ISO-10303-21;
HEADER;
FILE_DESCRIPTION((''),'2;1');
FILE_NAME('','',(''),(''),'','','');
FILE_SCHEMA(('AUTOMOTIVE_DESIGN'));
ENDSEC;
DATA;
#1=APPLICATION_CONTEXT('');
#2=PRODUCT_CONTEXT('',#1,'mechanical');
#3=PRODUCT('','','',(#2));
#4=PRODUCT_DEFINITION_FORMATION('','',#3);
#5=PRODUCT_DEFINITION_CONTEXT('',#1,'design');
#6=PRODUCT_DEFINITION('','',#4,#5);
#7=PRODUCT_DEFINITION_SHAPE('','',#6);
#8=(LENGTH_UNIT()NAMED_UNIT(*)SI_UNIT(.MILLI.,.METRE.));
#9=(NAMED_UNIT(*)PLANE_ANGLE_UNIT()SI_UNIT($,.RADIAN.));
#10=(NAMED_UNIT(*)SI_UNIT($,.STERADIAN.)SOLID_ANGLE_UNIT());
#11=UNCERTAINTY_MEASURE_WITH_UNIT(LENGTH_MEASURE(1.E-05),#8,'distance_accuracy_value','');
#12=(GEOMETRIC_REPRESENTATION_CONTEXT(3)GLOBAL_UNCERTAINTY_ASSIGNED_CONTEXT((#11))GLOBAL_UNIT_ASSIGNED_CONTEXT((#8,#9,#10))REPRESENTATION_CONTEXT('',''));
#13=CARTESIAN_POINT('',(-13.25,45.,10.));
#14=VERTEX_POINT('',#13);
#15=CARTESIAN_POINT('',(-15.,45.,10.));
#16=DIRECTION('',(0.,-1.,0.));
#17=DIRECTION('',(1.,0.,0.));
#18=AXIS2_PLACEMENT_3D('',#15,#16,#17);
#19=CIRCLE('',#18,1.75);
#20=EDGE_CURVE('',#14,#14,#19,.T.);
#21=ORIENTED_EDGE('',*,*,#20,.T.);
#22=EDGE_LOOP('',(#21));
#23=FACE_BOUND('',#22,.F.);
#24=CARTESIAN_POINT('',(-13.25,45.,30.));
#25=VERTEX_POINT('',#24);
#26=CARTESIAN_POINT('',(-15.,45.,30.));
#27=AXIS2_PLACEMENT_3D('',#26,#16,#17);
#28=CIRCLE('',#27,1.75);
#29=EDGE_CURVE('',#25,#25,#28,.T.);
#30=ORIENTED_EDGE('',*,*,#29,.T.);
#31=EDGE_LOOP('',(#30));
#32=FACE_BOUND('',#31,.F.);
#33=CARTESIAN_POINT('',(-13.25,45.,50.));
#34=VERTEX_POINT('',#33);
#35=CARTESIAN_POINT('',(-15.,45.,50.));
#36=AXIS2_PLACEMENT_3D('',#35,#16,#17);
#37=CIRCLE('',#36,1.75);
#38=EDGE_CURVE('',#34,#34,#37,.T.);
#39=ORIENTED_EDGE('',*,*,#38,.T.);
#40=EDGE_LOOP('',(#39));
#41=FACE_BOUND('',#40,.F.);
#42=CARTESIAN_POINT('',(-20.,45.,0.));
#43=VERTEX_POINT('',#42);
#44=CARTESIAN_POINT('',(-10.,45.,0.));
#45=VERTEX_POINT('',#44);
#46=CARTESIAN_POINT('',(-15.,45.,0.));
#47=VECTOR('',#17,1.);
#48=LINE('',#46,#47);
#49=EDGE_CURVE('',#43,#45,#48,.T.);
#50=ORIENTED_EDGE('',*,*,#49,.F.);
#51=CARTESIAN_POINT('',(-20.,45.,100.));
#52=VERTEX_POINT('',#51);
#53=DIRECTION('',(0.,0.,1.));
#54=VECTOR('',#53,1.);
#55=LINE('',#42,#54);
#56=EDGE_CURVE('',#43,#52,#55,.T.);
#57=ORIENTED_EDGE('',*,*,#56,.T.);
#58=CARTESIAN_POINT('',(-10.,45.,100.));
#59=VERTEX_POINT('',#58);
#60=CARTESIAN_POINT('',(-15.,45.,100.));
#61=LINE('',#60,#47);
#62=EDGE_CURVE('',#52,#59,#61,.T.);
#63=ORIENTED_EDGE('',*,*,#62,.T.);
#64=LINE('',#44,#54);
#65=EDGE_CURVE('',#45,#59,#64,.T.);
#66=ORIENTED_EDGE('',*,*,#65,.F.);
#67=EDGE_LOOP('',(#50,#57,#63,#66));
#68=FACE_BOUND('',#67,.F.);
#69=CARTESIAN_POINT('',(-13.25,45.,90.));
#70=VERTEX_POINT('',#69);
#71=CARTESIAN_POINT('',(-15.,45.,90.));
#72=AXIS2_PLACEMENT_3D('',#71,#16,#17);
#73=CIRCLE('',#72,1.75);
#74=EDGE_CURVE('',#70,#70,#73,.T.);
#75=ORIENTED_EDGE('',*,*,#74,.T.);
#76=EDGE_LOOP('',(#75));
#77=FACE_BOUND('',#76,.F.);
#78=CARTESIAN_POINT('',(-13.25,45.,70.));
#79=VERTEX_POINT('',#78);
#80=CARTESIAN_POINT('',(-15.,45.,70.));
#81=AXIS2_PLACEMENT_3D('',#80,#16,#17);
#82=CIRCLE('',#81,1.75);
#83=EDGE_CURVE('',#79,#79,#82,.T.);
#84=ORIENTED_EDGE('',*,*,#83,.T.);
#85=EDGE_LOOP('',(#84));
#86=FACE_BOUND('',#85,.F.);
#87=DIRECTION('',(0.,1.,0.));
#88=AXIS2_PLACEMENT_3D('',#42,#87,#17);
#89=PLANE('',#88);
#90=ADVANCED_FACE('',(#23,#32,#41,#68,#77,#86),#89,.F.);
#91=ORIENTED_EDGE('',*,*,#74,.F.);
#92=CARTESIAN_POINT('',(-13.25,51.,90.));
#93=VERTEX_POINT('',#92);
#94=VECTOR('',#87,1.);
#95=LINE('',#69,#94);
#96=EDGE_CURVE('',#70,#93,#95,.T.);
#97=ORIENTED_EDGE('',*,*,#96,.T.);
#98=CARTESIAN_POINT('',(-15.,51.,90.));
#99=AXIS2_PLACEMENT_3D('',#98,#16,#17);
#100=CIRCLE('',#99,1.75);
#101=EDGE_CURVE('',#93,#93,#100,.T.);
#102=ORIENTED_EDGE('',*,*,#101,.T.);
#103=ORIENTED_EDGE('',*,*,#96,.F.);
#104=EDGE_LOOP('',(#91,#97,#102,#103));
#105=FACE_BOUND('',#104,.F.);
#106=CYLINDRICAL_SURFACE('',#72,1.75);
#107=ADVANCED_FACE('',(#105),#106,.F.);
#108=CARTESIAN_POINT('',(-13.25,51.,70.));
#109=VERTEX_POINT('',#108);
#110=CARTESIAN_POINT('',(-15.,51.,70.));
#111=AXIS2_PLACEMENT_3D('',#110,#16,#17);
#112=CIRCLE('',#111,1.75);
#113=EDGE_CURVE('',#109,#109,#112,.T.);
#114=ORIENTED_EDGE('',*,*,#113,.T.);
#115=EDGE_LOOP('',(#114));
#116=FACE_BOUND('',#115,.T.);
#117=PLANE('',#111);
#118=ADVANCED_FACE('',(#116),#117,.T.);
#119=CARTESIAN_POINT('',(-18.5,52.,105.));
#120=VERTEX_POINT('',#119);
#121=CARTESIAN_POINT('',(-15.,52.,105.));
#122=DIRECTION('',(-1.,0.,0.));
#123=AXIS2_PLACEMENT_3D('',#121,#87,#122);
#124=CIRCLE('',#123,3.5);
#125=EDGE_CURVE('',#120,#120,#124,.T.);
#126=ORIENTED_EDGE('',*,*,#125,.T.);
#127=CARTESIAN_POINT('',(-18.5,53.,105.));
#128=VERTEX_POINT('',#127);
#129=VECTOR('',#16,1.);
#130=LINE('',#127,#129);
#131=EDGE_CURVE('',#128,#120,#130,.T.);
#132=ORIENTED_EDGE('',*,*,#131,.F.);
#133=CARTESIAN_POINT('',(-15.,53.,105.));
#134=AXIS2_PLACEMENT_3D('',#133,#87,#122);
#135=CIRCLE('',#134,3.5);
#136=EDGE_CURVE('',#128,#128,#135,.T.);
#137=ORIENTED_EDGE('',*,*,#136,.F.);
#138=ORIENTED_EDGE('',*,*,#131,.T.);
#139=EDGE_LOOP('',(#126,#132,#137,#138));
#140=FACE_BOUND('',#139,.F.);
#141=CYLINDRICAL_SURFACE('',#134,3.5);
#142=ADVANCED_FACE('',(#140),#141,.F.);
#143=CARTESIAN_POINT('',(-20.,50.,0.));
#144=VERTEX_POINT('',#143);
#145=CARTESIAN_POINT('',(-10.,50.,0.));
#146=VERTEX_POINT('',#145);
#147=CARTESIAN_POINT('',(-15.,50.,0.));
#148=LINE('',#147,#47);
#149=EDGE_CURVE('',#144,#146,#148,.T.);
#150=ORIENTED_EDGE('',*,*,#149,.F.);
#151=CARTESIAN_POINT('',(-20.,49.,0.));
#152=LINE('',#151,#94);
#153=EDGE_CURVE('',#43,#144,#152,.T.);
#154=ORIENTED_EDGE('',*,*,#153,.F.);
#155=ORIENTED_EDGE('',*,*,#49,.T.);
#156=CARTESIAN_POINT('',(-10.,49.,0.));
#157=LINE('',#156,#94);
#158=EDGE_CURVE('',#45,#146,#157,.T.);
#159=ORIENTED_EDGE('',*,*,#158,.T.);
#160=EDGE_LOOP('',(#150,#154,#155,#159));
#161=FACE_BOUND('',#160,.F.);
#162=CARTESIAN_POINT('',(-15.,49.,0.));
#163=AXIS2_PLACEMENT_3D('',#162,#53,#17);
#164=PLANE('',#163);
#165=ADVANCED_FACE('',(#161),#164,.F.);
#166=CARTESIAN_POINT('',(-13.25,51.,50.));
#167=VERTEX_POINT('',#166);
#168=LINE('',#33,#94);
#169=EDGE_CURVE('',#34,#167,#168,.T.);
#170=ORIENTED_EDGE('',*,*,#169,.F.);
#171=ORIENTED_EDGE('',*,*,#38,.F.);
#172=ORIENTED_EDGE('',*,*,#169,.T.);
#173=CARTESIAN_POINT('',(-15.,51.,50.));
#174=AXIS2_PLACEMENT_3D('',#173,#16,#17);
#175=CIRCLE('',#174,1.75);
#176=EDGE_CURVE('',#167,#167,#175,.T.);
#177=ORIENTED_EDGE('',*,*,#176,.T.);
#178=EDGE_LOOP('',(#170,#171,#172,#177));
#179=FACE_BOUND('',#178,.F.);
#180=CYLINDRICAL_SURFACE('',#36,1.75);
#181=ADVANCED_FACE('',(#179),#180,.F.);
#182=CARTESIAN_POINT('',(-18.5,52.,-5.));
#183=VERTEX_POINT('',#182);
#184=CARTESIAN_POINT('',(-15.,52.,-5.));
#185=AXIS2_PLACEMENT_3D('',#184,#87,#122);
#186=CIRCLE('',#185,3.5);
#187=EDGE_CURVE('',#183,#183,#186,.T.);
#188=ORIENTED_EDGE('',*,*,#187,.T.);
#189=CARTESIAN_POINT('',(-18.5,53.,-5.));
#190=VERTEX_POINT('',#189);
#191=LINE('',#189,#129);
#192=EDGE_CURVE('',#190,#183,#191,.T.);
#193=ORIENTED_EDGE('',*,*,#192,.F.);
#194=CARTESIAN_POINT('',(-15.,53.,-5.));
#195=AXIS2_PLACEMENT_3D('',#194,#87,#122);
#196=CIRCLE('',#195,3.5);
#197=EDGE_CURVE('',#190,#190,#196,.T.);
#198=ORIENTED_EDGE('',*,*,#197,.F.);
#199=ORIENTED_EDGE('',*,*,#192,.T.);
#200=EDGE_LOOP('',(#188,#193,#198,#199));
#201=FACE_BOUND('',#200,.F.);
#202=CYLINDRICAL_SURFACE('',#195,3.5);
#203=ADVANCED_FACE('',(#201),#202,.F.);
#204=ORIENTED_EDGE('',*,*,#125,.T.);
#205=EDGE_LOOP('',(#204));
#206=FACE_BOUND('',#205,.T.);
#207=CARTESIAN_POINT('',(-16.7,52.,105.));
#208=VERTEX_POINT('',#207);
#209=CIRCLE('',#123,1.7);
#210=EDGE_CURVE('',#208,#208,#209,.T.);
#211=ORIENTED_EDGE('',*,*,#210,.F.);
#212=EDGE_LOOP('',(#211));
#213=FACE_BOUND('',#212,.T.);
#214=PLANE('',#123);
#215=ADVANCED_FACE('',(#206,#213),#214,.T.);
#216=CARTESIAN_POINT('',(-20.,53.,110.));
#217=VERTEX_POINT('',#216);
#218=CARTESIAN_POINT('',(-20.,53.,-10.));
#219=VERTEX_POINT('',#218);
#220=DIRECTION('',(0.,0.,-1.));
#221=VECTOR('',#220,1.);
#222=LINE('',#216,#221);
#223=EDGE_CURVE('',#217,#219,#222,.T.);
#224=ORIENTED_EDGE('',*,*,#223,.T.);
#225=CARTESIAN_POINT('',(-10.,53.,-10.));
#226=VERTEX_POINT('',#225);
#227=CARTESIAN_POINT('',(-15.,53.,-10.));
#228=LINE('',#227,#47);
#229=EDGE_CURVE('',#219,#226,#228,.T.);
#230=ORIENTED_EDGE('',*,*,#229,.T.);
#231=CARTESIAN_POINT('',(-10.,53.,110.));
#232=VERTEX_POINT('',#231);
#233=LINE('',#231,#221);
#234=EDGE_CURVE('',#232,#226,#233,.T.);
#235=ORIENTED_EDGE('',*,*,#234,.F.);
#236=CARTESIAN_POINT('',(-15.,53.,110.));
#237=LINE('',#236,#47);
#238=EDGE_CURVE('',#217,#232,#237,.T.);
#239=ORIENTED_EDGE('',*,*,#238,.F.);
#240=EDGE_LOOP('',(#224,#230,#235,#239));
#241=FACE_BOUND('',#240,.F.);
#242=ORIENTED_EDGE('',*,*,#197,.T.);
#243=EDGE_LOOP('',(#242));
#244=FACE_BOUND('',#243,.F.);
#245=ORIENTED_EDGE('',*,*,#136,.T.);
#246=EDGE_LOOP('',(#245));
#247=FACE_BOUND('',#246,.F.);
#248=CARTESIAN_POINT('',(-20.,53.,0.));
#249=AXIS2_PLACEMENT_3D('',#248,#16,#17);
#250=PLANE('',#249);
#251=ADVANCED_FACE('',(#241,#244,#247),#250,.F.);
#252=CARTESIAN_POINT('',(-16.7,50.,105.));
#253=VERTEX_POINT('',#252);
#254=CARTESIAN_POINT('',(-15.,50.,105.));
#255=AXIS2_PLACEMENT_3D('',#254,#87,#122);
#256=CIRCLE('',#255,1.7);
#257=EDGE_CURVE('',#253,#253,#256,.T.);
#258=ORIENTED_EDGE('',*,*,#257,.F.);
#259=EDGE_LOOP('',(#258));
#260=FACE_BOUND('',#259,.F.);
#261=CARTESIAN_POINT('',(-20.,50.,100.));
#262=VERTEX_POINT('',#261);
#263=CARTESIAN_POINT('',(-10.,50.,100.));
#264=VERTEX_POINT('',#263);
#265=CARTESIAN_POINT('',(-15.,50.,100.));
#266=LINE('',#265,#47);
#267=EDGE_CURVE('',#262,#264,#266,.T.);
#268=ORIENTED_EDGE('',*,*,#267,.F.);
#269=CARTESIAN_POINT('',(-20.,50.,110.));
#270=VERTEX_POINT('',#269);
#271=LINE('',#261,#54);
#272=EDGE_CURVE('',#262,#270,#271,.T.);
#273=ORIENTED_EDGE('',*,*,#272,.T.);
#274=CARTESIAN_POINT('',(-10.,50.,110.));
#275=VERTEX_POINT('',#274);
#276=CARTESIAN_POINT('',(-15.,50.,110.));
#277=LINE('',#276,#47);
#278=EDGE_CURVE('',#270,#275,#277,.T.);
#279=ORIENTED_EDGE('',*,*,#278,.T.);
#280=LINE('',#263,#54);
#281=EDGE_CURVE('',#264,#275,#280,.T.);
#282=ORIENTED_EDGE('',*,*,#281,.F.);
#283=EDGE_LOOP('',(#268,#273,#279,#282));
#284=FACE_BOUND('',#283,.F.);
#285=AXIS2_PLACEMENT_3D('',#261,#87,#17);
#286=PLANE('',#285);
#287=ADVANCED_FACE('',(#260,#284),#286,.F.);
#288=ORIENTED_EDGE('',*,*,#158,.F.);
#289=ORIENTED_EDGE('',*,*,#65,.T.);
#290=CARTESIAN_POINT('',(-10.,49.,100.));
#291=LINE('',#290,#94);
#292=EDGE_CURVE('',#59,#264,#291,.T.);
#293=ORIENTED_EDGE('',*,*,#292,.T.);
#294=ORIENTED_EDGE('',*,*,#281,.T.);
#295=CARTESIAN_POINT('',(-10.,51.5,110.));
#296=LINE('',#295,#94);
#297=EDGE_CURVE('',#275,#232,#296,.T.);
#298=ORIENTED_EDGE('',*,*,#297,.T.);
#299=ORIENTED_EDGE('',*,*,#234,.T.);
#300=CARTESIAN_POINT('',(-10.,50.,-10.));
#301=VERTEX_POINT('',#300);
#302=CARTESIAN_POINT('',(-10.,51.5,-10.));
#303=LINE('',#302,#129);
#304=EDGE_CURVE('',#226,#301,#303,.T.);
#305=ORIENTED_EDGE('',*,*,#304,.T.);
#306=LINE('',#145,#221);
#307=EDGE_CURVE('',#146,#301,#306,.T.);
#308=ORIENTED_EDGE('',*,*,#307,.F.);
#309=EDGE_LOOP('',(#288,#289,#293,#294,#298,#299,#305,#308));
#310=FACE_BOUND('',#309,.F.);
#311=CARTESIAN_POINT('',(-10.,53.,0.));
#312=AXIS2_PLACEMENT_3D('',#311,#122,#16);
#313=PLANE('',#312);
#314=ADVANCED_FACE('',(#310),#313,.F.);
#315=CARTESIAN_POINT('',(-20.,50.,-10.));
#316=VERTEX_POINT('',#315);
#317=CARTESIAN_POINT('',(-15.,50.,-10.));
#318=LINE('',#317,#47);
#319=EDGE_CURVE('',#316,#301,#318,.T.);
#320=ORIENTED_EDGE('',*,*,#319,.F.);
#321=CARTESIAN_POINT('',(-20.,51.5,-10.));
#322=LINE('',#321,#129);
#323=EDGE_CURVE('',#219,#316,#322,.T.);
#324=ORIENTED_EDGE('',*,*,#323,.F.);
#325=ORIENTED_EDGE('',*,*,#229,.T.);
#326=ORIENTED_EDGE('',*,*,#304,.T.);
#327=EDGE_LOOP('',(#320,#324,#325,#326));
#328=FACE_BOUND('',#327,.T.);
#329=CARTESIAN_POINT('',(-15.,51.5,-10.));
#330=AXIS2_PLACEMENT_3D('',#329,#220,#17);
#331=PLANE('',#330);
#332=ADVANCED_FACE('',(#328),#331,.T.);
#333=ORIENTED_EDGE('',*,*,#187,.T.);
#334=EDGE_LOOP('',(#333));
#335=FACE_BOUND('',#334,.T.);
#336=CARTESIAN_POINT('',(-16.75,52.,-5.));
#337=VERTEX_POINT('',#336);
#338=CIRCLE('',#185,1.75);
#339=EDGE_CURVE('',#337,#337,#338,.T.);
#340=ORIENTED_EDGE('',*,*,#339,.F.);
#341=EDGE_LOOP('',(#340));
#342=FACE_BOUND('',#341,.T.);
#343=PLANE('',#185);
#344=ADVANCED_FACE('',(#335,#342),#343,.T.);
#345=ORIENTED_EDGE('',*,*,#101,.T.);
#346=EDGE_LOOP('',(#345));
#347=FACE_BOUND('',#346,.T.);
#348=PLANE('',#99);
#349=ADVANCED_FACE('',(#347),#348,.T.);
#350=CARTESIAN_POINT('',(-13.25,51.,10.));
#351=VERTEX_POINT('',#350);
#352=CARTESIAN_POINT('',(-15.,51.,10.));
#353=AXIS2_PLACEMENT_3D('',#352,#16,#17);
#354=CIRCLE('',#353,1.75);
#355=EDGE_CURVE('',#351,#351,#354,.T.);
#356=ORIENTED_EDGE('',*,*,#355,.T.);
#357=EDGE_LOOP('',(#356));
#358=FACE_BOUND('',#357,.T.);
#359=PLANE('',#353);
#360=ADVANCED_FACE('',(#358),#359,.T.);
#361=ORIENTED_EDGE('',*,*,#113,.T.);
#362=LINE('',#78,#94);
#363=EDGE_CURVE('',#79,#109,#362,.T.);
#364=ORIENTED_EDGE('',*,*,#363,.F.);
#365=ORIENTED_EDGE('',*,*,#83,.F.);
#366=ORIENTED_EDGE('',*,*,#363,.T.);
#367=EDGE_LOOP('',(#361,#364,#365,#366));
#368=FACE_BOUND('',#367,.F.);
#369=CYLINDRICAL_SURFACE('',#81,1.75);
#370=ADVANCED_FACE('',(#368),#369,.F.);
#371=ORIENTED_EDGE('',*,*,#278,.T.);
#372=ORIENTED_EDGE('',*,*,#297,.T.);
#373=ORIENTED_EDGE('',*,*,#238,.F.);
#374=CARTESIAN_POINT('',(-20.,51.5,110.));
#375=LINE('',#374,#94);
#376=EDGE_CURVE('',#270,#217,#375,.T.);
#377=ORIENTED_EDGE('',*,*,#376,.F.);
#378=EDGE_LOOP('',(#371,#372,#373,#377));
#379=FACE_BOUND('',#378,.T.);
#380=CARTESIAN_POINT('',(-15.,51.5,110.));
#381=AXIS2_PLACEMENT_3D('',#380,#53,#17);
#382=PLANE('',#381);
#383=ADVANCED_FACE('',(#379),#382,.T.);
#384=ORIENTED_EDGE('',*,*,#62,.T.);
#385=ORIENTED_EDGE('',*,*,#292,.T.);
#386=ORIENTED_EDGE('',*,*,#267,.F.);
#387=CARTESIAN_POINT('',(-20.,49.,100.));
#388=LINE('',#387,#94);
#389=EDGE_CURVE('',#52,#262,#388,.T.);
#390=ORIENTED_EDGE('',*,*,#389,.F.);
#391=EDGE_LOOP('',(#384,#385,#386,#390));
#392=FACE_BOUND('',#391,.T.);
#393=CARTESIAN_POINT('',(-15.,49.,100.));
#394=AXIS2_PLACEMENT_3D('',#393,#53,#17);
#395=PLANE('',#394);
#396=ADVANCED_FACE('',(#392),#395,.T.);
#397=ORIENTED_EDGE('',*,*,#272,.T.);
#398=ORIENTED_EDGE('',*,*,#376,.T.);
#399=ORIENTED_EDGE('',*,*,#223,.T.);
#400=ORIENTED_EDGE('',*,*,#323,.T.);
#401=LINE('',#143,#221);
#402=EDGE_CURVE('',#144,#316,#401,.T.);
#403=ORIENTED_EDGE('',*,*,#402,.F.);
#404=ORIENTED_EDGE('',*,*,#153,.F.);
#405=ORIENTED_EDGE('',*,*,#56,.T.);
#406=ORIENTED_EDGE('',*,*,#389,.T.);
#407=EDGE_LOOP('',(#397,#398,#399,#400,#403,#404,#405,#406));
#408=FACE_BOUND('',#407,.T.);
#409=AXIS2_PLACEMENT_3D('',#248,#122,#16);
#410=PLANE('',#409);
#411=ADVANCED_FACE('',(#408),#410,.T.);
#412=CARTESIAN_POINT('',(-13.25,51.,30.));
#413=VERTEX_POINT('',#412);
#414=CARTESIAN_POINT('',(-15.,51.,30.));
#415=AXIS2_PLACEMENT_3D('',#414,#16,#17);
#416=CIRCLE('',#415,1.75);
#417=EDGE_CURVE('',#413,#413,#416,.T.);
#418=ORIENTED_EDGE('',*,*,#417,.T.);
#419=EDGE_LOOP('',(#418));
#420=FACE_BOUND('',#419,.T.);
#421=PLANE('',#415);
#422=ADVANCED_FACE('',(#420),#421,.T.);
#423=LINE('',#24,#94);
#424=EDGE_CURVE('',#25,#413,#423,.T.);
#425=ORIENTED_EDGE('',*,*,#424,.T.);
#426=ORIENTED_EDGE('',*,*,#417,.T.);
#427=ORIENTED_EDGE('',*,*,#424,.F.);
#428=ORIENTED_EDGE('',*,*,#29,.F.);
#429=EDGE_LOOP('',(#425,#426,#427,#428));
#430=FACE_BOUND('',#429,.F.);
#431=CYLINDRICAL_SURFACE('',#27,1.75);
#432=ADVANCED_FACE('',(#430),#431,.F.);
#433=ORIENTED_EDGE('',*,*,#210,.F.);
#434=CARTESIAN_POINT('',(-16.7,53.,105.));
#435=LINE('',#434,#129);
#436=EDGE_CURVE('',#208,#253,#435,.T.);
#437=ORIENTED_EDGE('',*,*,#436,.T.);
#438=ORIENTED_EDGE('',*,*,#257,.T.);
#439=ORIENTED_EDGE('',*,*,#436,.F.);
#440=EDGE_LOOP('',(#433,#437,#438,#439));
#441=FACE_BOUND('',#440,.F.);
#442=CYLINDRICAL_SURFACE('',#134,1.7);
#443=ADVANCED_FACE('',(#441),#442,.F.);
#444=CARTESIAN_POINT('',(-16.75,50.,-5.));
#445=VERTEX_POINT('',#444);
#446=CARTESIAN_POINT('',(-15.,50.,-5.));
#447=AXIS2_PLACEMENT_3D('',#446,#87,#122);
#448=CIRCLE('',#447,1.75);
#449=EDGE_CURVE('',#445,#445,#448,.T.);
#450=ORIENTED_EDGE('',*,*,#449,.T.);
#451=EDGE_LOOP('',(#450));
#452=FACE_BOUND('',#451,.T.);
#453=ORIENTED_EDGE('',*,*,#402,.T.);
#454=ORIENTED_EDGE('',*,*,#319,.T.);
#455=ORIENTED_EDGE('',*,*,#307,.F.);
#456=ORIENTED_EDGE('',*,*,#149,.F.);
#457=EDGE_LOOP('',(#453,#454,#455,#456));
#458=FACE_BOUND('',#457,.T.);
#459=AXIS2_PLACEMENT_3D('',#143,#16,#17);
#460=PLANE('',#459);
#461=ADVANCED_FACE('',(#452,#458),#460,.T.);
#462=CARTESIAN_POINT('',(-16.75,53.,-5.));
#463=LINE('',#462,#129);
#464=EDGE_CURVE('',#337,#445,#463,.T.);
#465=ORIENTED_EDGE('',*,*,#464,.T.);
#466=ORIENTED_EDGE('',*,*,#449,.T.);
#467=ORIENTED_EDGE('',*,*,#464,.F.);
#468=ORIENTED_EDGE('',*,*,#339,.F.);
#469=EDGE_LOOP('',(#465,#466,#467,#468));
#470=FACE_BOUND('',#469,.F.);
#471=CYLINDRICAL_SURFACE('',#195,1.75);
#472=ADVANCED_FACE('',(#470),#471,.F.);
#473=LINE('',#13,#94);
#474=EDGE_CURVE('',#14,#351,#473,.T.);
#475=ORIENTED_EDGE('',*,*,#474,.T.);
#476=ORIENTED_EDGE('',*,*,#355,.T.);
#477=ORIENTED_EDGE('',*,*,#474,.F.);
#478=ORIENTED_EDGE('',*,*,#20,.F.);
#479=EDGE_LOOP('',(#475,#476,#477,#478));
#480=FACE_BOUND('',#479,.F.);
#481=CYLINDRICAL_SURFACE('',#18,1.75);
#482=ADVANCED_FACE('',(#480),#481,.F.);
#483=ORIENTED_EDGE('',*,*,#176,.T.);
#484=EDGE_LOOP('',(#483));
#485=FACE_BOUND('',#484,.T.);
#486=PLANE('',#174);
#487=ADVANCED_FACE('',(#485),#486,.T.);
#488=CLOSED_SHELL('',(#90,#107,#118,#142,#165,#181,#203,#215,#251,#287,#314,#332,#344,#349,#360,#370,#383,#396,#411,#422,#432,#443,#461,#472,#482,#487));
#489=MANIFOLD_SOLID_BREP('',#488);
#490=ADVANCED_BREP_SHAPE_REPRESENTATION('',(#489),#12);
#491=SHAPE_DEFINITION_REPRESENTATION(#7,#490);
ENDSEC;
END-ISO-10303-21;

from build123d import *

# Parameters (mm, degrees)
SKETCH003_W     = 10
SKETCH003_H     = 8
PAD002_DEPTH    = 100
SKETCH004_W     = 10
SKETCH004_H     = 3
PAD003_DEPTH    = 10
SKETCH005_R     = 1.7
POCKET001_DEPTH = 5
SKETCH006_R     = 3.5
POCKET002_DEPTH = 1
SKETCH007_W     = 10
SKETCH007_H     = 3
PAD004_DEPTH    = 10
SKETCH008_R     = 1.75
POCKET003_DEPTH = 5
SKETCH009_R     = 3.5
POCKET004_DEPTH = 1
SKETCH010_R     = 1.75
POCKET005_DEPTH = 6


with BuildPart() as part:
    # Sketch003 → Pad002 (new body)
    with BuildSketch(Plane.XY):
        with Locations((-15, 49)):
            Rectangle(SKETCH003_W, SKETCH003_H)
    extrude(amount=PAD002_DEPTH)

    # Sketch004 (on Face6 of Pad002) → Pad003 (join)
    with BuildSketch(Plane.XY.offset(100)):
        with Locations((-15, 51.5)):
            Rectangle(SKETCH004_W, SKETCH004_H)
    extrude(amount=PAD003_DEPTH)

    # Sketch005 (on Face5 of Pad003) → Pocket001 (cut)
    with BuildSketch(Plane(origin=(0, 53, 0), x_dir=(-1, 0, 0), z_dir=(0, 1, 0))):
        with Locations((15, 105)):
            Circle(SKETCH005_R)
    extrude(amount=-POCKET001_DEPTH, mode=Mode.SUBTRACT)

    # Sketch006 (on Face5 of Pocket001) → Pocket002 (cut)
    with BuildSketch(Plane(origin=(0, 53, 0), x_dir=(-1, 0, 0), z_dir=(0, 1, 0))):
        with Locations((15, 105)):
            Circle(SKETCH006_R)
    extrude(amount=-POCKET002_DEPTH, mode=Mode.SUBTRACT)

    # Sketch007 (on Face4 of Pocket002) → Pad004 (join)
    with BuildSketch(Plane(origin=(0, 0, 0), x_dir=(1, 0, 0), z_dir=(0, 0, -1))):
        with Locations((-15, -51.5)):
            Rectangle(SKETCH007_W, SKETCH007_H)
    extrude(amount=PAD004_DEPTH)

    # Sketch008 (on Face4 of Pad004) → Pocket003 (cut)
    with BuildSketch(Plane(origin=(0, 53, 0), x_dir=(-1, 0, 0), z_dir=(0, 1, 0))):
        with Locations((15, -5)):
            Circle(SKETCH008_R)
    extrude(amount=-POCKET003_DEPTH, mode=Mode.SUBTRACT)

    # Sketch009 (on Face4 of Pocket003) → Pocket004 (cut)
    with BuildSketch(Plane(origin=(0, 53, 0), x_dir=(-1, 0, 0), z_dir=(0, 1, 0))):
        with Locations((15, -5)):
            Circle(SKETCH009_R)
    extrude(amount=-POCKET004_DEPTH, mode=Mode.SUBTRACT)

    # Sketch010 (on Face6 of Pocket004) → Pocket005 (cut)
    with BuildSketch(Plane.XZ.offset(-45)):
        with Locations((-15, 90)):
            Circle(SKETCH010_R)
        with Locations((-15, 70)):
            Circle(SKETCH010_R)
        with Locations((-15, 50)):
            Circle(SKETCH010_R)
        with Locations((-15, 30)):
            Circle(SKETCH010_R)
        with Locations((-15, 10)):
            Circle(SKETCH010_R)
    extrude(amount=-POCKET005_DEPTH, mode=Mode.SUBTRACT)


solid = part.part
